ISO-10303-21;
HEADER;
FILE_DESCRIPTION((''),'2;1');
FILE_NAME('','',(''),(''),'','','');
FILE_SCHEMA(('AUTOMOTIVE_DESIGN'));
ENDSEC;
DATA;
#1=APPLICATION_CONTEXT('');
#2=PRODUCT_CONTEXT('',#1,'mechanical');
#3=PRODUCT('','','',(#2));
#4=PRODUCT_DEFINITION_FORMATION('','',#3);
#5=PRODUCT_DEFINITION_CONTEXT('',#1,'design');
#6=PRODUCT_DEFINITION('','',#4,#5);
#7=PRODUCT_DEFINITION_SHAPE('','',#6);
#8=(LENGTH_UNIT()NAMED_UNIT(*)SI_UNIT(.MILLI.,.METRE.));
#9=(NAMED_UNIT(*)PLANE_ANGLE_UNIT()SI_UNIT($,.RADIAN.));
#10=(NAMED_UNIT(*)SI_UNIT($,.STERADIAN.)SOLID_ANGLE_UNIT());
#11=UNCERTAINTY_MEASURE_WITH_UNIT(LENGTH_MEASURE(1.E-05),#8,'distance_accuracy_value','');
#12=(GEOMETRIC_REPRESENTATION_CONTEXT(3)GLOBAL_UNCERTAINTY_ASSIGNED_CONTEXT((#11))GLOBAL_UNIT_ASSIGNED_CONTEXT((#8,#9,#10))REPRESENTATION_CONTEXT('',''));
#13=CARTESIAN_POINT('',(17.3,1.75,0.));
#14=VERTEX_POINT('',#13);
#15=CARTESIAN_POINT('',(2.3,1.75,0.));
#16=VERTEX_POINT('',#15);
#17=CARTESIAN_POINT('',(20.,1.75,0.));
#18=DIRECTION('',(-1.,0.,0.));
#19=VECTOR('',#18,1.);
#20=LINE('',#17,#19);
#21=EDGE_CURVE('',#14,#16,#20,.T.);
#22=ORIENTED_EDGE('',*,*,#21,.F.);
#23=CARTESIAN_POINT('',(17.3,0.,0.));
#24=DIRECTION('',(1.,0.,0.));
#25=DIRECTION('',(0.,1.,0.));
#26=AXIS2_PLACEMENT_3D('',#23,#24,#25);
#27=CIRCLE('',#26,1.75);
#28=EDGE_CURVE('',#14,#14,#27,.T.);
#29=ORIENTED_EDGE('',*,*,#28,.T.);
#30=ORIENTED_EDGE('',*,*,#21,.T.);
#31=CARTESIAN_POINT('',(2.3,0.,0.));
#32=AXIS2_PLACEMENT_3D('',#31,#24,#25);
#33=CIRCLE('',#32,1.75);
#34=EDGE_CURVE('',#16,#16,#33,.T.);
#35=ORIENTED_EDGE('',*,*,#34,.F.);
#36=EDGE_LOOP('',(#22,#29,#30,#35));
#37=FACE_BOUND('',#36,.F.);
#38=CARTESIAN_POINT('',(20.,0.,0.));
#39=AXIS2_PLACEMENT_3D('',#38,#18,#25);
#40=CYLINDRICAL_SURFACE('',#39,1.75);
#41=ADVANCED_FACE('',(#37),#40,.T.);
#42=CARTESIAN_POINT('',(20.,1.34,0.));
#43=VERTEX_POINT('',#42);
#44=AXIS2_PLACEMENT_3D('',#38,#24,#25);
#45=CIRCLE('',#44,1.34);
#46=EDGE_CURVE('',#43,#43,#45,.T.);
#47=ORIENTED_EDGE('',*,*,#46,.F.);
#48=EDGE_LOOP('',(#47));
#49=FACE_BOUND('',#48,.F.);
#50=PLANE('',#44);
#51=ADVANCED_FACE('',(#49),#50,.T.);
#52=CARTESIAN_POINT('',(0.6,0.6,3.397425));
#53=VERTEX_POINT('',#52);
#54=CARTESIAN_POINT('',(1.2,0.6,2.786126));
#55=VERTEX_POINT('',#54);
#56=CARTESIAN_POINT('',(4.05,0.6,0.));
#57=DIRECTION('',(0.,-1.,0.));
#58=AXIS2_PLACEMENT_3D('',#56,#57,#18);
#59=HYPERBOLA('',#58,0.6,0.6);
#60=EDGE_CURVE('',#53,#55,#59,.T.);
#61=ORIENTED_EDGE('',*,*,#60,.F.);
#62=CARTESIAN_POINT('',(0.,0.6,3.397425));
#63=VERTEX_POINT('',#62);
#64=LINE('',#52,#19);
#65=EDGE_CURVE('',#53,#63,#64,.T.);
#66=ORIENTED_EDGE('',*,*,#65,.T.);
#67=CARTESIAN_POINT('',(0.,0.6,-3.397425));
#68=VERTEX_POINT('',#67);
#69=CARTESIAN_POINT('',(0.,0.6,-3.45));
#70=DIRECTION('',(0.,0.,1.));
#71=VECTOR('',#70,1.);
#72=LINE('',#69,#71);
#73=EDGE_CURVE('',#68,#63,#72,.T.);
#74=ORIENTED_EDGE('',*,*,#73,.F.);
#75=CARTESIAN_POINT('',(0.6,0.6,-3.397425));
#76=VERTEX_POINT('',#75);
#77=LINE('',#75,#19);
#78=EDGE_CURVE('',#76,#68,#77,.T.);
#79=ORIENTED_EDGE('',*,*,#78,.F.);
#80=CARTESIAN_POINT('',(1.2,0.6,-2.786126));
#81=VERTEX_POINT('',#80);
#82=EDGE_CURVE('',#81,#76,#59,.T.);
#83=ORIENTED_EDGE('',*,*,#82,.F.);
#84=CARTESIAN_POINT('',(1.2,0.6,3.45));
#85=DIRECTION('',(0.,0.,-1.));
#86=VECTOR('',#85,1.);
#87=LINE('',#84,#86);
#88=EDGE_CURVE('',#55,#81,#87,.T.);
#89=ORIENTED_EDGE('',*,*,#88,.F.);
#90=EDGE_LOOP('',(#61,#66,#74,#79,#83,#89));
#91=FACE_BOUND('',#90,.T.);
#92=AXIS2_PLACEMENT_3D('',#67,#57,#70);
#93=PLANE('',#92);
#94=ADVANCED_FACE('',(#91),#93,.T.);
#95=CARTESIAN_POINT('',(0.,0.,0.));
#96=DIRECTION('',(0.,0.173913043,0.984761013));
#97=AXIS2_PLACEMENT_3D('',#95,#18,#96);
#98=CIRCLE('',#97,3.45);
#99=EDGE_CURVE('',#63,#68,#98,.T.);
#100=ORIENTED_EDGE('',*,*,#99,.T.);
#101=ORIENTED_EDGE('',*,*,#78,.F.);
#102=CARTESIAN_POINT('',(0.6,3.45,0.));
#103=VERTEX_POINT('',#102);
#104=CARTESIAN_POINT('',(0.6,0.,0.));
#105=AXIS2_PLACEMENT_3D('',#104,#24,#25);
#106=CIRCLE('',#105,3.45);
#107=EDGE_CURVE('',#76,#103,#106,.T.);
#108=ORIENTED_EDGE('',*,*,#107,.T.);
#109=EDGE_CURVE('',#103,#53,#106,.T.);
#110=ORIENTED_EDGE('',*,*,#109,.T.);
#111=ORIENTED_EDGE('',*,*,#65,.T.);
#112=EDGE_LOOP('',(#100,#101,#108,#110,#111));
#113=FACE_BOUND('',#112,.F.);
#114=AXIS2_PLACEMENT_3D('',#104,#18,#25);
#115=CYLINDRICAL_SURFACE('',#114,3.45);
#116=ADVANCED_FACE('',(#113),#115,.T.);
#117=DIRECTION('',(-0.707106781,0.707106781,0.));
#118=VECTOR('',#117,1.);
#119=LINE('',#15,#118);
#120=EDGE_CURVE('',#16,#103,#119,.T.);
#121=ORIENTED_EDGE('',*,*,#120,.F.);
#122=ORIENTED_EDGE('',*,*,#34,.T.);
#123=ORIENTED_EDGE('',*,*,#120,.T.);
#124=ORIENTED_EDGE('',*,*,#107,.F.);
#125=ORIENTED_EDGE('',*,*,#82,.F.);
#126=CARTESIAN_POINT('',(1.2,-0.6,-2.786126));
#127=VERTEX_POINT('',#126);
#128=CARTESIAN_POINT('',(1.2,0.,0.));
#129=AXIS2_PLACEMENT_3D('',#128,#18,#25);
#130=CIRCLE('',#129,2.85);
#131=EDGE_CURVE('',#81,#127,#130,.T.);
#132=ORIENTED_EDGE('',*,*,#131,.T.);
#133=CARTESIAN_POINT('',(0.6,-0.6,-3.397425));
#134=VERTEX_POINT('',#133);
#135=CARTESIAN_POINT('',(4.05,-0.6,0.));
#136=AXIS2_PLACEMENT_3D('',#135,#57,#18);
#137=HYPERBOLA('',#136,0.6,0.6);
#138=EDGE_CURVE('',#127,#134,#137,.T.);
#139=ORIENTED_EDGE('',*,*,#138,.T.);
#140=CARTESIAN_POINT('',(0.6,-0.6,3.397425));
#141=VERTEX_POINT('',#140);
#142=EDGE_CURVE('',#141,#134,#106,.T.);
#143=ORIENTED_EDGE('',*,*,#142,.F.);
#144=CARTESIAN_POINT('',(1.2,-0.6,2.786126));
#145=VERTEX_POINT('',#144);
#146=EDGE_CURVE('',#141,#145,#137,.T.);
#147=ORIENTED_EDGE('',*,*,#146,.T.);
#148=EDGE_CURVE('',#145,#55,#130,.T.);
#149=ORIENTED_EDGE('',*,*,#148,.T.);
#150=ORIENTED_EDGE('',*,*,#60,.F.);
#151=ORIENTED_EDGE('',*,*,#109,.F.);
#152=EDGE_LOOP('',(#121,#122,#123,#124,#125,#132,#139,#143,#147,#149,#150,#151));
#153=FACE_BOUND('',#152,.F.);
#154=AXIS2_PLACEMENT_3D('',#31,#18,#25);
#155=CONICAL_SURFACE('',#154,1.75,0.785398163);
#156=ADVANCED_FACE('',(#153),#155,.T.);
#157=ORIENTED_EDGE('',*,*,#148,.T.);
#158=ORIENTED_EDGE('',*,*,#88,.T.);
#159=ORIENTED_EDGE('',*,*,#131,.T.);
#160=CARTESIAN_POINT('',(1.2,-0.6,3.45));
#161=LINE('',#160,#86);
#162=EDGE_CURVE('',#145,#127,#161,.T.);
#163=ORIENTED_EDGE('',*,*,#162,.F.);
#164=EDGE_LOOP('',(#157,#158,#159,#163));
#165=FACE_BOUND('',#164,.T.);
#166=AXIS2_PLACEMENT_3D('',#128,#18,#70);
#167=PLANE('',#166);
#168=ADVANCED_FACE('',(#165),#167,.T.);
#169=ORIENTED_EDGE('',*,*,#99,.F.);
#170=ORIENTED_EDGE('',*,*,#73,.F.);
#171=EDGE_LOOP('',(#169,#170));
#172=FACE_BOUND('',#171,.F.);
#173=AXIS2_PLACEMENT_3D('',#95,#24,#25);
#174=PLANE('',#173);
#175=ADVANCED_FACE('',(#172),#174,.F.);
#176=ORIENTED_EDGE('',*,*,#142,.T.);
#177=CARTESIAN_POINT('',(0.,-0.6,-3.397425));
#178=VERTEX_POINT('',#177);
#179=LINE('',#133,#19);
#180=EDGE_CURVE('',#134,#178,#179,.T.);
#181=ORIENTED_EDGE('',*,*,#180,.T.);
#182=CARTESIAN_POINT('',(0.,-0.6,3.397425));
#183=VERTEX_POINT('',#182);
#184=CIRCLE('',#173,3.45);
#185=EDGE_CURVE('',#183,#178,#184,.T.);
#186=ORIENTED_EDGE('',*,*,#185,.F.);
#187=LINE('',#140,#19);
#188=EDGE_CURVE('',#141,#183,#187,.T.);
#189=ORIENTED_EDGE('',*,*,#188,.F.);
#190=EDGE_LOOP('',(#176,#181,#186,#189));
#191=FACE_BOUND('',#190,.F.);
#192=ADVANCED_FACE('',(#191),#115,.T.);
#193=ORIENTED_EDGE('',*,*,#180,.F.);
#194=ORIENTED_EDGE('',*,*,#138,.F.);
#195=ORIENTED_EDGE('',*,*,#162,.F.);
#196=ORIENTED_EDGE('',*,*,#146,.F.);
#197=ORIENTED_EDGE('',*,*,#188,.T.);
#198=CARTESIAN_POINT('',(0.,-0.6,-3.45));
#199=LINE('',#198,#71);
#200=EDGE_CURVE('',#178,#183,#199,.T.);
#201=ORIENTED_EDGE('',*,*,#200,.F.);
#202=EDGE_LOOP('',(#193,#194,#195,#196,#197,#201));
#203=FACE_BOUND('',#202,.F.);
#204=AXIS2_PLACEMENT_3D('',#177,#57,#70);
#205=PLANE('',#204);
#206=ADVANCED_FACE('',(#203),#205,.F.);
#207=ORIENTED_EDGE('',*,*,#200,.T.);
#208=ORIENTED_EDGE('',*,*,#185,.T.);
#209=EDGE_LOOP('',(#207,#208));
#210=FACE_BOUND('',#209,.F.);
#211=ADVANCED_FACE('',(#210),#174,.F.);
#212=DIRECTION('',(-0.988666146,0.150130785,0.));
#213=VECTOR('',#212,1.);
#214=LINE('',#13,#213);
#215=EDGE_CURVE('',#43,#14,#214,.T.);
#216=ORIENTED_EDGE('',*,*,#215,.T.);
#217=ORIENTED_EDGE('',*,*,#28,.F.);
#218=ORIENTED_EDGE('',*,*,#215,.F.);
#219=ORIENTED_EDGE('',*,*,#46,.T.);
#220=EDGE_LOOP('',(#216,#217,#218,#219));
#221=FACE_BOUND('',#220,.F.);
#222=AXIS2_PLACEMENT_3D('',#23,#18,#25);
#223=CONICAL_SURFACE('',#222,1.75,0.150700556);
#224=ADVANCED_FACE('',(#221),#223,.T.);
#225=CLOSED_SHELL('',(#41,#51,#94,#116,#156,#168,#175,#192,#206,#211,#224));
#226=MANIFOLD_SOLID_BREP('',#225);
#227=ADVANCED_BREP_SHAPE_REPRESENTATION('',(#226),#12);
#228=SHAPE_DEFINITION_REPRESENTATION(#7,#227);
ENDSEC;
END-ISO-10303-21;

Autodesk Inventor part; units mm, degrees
ref_plane "YZ Plane" through (0, 0, 0) normal (1, 0, 0) x (0, 1, 0)
ref_plane "XZ Plane" through (0, 0, 0) normal (0, 1, 0) x (-1, 0, 0)
sketch "Sketch1" plane through (0, 0, 0) normal (0, 0, 1) x (1, 0, 0)
  line L0 (-4, 0) -> (24, 0) projected
  line L1 (0, 0) -> (20, 0)
  line L2 (20, 0) -> (20, 1.75)
  line L3 (20, 1.75) -> (2.3, 1.75)
  line L4 (2.3, 1.75) -> (2.3, 1.75)
  line L5 (2.3, 1.75) -> (0.6, 3.45)
  line L6 (0.6, 3.45) -> (0, 3.45)
  line L7 (0, 3.45) -> (0, 0)
  line L8 (0, -0.69) -> (0, 4.14) projected
  dimension "d0" = 20
  dimension "d1" = 2.3
  dimension "d2" = 3.5
  dimension "d3" = 3.5
  dimension "d4" = 6.9
  dimension "d5" = 45
revolve "Body" add sketch "Sketch1" angle 360 about axis through (0, 0, 0) along (1, 0, 0)
sketch "Sketch2" plane through (0, 0, 0) normal (-1, 0, 0) x (0, 0, 1)
  circle A0 centre (0, 0) radius 3.45 projected
  line L0 (-4.83, 0) -> (4.83, 0) projected
  line L1 (-3.45, 0) -> (-3.45, 0.6)
  line L2 (-3.45, 0.6) -> (3.45, 0.6)
  line L3 (3.45, 0) -> (3.45, 0.6)
  line L4 (-3.45, 0) -> (-3.45, -0.6)
  line L5 (-3.45, -0.6) -> (3.45, -0.6)
  line L6 (3.45, 0) -> (3.45, -0.6)
  dimension "d8" = 1.2
extrude "Slot" cut sketch "Sketch2" against normal blind 1.2 contours L0 A0 L2 | L6 L5 A0 | A0 L5 L0 | A0 L2 L3 | L1 L2 A0 | A0 L5 L4
thread "Thread" size "M3.5x0.6" class "6g" standard "ISO Metric profile" length 17.7
chamfer "Chamfer1" distance 0.41 distance2 2.7 1 edges at (20, -1.75, 0) measured on face at (20, 0.4611, 1.0065)
ref_plane "Work Plane1" through (2.2553, 0, 0) normal (0, 0, -1) x (1, 0, 0)
equation "\"d8\" = SBR"
equation "\"d9\" = STI"
equation "\"d0\" = NLG"
equation "\"d1\" = KOH"
equation "\"d2\" = NND"
equation "\"d3\" = SED2"
equation "\"d4\" = KOD"
equation "\"d5\" = 0.5 * SEWI"
equation "\"d6\" = GEL"
equation "\"d14\" = -0.5 * GD2 + 0.5 * NND"
equation "\"d15\" = SPTZ"
equation "\"NND\" = 3.5"
equation "\"NLG\" = 20"
equation "\"GEL\" = 17.7"
equation "\"KOH\" = 2.3"
equation "\"KOD\" = 6.9"
equation "\"SBR\" = 1.2"
equation "\"STI\" = 1.2"
equation "\"GD2\" = 2.68"
equation "\"SED2\" = 3.5"
equation "\"SEWI\" = 90deg"
equation "\"SPTZ\" = 2.7"
equation "\"GUL\" = 0.61345 * PTC"
equation "\"THREADDIA\" = 3.5"
equation "\"TOA\" = 30deg"
equation "\"PTC\" = 0.6"
equation "\"GAL\" = 0.61345 * PTC"
equation "\"GD1\" = THREADDIA - 1.2269 * PTC"
properties part number "ANSI/ASME B18.6.5M - M3.5x0.6 x 20, SFCHTSTTM" material "Steel, Mild"
